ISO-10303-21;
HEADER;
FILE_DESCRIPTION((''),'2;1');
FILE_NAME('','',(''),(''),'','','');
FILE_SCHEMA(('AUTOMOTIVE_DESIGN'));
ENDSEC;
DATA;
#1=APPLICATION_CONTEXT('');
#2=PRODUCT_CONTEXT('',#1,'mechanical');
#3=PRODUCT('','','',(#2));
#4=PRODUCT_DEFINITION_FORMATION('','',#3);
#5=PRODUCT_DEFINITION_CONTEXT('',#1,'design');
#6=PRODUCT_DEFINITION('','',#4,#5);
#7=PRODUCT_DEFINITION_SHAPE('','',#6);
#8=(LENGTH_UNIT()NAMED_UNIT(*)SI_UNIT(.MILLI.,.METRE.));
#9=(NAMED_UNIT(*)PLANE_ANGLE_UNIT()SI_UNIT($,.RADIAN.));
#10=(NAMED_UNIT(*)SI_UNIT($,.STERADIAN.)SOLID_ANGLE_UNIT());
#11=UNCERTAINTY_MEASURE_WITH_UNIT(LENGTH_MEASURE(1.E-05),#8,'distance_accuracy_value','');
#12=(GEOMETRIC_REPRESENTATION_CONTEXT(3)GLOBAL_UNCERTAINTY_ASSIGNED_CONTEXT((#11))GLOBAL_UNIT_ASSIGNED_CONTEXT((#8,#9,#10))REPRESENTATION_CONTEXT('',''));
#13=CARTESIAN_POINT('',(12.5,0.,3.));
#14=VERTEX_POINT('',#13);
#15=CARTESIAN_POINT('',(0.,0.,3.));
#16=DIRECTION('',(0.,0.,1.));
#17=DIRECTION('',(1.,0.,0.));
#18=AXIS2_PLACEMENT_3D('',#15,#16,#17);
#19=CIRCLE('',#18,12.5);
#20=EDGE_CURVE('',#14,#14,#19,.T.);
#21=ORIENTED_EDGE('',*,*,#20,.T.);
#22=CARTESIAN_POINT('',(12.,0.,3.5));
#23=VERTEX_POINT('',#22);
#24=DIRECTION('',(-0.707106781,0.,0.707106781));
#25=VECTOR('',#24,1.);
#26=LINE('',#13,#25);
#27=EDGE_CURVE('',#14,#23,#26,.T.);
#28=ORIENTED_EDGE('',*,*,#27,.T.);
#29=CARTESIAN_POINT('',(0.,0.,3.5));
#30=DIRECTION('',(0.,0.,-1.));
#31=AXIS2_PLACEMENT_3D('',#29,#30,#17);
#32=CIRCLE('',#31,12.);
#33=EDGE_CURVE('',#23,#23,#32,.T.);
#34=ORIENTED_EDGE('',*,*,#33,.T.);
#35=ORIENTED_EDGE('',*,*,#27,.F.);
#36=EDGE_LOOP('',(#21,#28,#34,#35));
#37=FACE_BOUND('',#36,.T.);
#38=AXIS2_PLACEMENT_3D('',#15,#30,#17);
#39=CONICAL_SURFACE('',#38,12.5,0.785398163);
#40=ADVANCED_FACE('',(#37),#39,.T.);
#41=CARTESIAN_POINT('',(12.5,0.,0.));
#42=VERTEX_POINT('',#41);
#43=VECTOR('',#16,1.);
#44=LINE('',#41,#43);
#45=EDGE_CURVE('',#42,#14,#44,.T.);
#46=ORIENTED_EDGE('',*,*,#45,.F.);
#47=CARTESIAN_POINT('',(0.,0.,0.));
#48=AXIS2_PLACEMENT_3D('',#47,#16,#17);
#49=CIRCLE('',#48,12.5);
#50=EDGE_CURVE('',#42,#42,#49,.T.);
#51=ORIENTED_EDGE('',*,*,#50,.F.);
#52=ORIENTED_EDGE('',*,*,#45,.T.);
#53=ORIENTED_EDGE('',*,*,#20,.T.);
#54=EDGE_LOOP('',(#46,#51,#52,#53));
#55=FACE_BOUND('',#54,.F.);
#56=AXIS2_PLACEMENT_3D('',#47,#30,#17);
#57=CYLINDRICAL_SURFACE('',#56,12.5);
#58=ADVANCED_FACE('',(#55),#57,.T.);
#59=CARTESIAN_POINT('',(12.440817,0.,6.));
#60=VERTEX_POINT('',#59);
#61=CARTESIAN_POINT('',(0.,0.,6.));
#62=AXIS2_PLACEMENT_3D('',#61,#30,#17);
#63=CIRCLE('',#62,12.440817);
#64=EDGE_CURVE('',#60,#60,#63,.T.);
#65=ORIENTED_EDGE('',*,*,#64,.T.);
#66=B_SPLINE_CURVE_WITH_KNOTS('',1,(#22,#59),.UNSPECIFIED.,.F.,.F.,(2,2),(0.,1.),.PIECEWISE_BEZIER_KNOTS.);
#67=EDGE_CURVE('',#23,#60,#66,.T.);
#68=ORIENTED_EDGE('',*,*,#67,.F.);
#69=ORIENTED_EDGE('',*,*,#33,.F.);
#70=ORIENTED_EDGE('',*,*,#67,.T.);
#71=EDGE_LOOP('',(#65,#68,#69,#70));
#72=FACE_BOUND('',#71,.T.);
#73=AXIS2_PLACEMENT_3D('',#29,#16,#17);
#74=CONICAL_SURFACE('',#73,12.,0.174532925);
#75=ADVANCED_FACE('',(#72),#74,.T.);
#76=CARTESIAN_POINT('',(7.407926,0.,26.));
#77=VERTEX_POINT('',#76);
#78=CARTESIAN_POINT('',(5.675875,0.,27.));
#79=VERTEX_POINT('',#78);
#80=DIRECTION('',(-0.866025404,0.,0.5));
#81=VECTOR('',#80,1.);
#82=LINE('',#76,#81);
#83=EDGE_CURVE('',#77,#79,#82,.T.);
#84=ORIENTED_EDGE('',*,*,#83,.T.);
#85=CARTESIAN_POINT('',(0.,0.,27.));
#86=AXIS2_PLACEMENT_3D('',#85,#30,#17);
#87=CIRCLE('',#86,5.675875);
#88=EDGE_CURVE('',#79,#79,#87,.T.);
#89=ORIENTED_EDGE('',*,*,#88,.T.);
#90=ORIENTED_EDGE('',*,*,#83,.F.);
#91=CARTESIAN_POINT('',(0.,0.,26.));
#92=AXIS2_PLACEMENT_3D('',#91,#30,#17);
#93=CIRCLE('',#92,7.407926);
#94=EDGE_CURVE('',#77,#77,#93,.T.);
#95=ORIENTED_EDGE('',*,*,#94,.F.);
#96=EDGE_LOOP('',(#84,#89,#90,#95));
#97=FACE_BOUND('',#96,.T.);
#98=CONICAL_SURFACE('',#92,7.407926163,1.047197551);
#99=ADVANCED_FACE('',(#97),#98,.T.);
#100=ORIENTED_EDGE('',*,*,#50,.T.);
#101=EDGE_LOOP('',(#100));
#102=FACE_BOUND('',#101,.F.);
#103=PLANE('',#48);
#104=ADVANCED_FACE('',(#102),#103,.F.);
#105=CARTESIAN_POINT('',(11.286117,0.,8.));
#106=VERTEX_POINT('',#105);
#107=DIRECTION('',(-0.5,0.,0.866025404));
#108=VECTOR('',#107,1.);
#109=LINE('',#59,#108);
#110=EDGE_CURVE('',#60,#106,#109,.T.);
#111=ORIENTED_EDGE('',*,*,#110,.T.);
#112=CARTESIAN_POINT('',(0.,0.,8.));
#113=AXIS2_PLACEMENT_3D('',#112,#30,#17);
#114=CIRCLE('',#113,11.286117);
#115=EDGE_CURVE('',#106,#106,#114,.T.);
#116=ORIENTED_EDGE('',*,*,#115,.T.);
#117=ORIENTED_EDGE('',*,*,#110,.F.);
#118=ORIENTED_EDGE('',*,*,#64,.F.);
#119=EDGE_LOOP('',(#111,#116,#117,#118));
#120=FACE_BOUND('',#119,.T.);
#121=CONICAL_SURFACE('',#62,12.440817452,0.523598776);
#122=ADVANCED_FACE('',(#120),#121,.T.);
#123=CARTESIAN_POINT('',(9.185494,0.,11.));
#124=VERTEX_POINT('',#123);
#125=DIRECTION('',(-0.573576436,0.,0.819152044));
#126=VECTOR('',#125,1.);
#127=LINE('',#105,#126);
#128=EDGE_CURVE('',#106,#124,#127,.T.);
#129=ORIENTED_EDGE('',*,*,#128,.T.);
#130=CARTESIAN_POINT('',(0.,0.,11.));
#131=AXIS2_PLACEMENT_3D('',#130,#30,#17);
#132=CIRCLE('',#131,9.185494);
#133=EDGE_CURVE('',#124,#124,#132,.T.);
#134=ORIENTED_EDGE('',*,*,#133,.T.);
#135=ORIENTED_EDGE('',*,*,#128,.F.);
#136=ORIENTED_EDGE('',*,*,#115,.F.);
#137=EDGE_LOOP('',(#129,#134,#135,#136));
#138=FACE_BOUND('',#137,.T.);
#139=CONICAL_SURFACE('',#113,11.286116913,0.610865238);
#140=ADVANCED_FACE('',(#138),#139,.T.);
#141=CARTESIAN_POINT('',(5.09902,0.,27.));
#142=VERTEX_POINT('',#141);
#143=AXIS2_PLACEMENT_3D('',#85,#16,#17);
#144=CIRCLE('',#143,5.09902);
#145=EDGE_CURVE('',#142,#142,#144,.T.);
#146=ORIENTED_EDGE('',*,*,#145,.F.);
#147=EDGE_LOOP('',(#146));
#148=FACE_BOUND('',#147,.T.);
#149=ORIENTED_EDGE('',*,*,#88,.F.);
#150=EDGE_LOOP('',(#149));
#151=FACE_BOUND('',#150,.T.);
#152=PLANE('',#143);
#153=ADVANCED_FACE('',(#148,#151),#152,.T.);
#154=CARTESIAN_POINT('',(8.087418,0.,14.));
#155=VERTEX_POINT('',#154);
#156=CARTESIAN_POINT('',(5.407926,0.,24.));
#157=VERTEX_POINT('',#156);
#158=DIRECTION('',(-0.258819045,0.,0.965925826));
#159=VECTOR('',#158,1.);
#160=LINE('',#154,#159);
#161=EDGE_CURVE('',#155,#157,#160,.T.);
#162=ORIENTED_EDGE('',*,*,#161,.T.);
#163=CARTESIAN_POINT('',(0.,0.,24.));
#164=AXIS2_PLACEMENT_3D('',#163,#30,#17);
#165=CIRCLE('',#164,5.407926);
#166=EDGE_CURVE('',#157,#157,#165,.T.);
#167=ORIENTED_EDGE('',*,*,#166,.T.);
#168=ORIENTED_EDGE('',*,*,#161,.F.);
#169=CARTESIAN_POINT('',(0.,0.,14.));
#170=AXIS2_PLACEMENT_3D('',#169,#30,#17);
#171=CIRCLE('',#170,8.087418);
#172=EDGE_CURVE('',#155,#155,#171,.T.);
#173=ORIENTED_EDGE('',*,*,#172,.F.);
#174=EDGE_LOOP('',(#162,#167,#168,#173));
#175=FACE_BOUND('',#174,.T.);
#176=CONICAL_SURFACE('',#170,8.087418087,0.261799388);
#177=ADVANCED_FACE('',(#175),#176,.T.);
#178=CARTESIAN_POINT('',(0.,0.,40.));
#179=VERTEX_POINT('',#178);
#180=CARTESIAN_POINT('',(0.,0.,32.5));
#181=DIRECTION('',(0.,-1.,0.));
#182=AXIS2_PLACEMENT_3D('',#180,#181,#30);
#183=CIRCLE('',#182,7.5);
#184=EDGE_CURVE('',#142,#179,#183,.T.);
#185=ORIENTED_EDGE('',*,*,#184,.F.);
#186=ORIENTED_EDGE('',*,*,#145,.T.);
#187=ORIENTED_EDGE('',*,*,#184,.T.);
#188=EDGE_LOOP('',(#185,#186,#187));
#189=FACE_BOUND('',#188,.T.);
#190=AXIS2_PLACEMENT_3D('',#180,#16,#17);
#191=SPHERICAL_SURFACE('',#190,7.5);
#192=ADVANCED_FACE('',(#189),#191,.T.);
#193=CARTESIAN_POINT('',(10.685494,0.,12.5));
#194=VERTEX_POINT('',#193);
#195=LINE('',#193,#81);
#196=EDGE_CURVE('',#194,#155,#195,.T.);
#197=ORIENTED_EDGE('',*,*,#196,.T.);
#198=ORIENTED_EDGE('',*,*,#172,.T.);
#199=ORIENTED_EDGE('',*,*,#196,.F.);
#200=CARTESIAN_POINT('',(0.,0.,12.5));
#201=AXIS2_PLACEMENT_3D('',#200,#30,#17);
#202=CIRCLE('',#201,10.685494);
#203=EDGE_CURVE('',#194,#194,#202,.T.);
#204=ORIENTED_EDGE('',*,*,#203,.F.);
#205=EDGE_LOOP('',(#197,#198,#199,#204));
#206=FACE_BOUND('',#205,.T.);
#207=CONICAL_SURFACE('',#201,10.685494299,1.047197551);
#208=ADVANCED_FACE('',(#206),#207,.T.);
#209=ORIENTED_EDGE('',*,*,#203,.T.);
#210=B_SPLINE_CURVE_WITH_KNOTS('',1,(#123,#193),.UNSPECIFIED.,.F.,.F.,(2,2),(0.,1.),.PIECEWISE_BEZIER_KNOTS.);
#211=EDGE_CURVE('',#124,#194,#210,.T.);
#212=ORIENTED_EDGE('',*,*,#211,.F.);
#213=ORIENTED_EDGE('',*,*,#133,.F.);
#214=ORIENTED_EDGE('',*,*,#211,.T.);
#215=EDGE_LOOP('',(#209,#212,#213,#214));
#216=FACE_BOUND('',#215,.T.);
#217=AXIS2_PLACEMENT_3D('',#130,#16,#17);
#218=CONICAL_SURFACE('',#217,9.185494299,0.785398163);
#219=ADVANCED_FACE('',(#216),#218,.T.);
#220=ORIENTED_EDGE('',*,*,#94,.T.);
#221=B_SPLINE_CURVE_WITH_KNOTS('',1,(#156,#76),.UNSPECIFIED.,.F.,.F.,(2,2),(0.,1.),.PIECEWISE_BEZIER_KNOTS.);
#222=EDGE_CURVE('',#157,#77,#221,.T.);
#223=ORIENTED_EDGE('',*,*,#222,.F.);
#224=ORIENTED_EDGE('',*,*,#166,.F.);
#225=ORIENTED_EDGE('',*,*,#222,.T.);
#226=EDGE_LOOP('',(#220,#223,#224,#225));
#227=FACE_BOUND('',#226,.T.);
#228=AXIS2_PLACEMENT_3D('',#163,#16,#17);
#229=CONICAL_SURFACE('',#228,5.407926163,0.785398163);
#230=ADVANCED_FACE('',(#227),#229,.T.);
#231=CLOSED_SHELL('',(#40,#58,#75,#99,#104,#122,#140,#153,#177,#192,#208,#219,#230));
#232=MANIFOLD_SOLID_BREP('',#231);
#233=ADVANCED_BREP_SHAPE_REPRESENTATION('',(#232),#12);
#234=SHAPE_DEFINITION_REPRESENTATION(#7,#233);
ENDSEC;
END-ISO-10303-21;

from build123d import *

# Parameters (mm, degrees)
F0_R      = 12.5
F1_DEPTH  = 3
F1_FACE_R = 12.5
F2_DEPTH  = 0.5
F2_TAPER  = 45
F2_FACE_R = 12
F3_DEPTH  = 2.5
F3_TAPER  = -10
F3_FACE_R = 12.4408174518
F4_DEPTH  = 2
F4_TAPER  = 30
F4_FACE_R = 11.2861169134
F5_DEPTH  = 3
F5_TAPER  = 35
F5_FACE_R = 9.1854942988
F6_DEPTH  = 1.5
F6_TAPER  = -45
F6_FACE_R = 10.6854942988
F7_DEPTH  = 1.5
F7_TAPER  = 60
F7_FACE_R = 8.0874180874
F8_DEPTH  = 10
F8_TAPER  = 15
F8_FACE_R = 5.4079261631
F9_DEPTH  = 2
F9_TAPER  = -45
F9_FACE_R = 7.4079261631
F10_DEPTH = 1
F10_TAPER = 60


with BuildPart() as f1:
    # F0 (on Top) → F1 (new body)
    with BuildSketch(Plane.XY):
        Circle(F0_R)
    extrude(amount=F1_DEPTH)

    # F1_face (on face) → F2 (join)
    with BuildSketch(Plane.XY.offset(3)):
        Circle(F1_FACE_R)
    extrude(amount=F2_DEPTH, taper=F2_TAPER)

    # F2_face (on face) → F3 (join)
    with BuildSketch(Plane.XY.offset(3.5)):
        Circle(F2_FACE_R)
    extrude(amount=F3_DEPTH, taper=F3_TAPER)

    # F3_face (on face) → F4 (join)
    with BuildSketch(Plane.XY.offset(6)):
        Circle(F3_FACE_R)
    extrude(amount=F4_DEPTH, taper=F4_TAPER)

    # F4_face (on face) → F5 (join)
    with BuildSketch(Plane.XY.offset(8)):
        Circle(F4_FACE_R)
    extrude(amount=F5_DEPTH, taper=F5_TAPER)

    # F5_face (on face) → F6 (join)
    with BuildSketch(Plane.XY.offset(11)):
        Circle(F5_FACE_R)
    extrude(amount=F6_DEPTH, taper=F6_TAPER)

    # F6_face (on face) → F7 (join)
    with BuildSketch(Plane.XY.offset(12.5)):
        Circle(F6_FACE_R)
    extrude(amount=F7_DEPTH, taper=F7_TAPER)

    # F7_face (on face) → F8 (join)
    with BuildSketch(Plane.XY.offset(14)):
        Circle(F7_FACE_R)
    extrude(amount=F8_DEPTH, taper=F8_TAPER)

    # F8_face (on face) → F9 (join)
    with BuildSketch(Plane.XY.offset(24)):
        Circle(F8_FACE_R)
    extrude(amount=F9_DEPTH, taper=F9_TAPER)

    # F9_face (on face) → F10 (join)
    with BuildSketch(Plane.XY.offset(26)):
        Circle(F9_FACE_R)
    extrude(amount=F10_DEPTH, taper=F10_TAPER)

    # F11 (on Front) → F12 (revolve)
    with BuildSketch(Plane.XZ):
        with BuildLine():
            Line((0, 40), (0, 25))
            ThreePointArc((0, 25), (5.3033008589, 27.1966991411), (7.5, 32.5))
            ThreePointArc((7.5, 32.5), (5.3033008589, 37.8033008589), (0, 40))
        make_face()
    revolve(axis=Axis((0, 0, 24.8627143578), (0, 0, 1)))


solid = f1.part
